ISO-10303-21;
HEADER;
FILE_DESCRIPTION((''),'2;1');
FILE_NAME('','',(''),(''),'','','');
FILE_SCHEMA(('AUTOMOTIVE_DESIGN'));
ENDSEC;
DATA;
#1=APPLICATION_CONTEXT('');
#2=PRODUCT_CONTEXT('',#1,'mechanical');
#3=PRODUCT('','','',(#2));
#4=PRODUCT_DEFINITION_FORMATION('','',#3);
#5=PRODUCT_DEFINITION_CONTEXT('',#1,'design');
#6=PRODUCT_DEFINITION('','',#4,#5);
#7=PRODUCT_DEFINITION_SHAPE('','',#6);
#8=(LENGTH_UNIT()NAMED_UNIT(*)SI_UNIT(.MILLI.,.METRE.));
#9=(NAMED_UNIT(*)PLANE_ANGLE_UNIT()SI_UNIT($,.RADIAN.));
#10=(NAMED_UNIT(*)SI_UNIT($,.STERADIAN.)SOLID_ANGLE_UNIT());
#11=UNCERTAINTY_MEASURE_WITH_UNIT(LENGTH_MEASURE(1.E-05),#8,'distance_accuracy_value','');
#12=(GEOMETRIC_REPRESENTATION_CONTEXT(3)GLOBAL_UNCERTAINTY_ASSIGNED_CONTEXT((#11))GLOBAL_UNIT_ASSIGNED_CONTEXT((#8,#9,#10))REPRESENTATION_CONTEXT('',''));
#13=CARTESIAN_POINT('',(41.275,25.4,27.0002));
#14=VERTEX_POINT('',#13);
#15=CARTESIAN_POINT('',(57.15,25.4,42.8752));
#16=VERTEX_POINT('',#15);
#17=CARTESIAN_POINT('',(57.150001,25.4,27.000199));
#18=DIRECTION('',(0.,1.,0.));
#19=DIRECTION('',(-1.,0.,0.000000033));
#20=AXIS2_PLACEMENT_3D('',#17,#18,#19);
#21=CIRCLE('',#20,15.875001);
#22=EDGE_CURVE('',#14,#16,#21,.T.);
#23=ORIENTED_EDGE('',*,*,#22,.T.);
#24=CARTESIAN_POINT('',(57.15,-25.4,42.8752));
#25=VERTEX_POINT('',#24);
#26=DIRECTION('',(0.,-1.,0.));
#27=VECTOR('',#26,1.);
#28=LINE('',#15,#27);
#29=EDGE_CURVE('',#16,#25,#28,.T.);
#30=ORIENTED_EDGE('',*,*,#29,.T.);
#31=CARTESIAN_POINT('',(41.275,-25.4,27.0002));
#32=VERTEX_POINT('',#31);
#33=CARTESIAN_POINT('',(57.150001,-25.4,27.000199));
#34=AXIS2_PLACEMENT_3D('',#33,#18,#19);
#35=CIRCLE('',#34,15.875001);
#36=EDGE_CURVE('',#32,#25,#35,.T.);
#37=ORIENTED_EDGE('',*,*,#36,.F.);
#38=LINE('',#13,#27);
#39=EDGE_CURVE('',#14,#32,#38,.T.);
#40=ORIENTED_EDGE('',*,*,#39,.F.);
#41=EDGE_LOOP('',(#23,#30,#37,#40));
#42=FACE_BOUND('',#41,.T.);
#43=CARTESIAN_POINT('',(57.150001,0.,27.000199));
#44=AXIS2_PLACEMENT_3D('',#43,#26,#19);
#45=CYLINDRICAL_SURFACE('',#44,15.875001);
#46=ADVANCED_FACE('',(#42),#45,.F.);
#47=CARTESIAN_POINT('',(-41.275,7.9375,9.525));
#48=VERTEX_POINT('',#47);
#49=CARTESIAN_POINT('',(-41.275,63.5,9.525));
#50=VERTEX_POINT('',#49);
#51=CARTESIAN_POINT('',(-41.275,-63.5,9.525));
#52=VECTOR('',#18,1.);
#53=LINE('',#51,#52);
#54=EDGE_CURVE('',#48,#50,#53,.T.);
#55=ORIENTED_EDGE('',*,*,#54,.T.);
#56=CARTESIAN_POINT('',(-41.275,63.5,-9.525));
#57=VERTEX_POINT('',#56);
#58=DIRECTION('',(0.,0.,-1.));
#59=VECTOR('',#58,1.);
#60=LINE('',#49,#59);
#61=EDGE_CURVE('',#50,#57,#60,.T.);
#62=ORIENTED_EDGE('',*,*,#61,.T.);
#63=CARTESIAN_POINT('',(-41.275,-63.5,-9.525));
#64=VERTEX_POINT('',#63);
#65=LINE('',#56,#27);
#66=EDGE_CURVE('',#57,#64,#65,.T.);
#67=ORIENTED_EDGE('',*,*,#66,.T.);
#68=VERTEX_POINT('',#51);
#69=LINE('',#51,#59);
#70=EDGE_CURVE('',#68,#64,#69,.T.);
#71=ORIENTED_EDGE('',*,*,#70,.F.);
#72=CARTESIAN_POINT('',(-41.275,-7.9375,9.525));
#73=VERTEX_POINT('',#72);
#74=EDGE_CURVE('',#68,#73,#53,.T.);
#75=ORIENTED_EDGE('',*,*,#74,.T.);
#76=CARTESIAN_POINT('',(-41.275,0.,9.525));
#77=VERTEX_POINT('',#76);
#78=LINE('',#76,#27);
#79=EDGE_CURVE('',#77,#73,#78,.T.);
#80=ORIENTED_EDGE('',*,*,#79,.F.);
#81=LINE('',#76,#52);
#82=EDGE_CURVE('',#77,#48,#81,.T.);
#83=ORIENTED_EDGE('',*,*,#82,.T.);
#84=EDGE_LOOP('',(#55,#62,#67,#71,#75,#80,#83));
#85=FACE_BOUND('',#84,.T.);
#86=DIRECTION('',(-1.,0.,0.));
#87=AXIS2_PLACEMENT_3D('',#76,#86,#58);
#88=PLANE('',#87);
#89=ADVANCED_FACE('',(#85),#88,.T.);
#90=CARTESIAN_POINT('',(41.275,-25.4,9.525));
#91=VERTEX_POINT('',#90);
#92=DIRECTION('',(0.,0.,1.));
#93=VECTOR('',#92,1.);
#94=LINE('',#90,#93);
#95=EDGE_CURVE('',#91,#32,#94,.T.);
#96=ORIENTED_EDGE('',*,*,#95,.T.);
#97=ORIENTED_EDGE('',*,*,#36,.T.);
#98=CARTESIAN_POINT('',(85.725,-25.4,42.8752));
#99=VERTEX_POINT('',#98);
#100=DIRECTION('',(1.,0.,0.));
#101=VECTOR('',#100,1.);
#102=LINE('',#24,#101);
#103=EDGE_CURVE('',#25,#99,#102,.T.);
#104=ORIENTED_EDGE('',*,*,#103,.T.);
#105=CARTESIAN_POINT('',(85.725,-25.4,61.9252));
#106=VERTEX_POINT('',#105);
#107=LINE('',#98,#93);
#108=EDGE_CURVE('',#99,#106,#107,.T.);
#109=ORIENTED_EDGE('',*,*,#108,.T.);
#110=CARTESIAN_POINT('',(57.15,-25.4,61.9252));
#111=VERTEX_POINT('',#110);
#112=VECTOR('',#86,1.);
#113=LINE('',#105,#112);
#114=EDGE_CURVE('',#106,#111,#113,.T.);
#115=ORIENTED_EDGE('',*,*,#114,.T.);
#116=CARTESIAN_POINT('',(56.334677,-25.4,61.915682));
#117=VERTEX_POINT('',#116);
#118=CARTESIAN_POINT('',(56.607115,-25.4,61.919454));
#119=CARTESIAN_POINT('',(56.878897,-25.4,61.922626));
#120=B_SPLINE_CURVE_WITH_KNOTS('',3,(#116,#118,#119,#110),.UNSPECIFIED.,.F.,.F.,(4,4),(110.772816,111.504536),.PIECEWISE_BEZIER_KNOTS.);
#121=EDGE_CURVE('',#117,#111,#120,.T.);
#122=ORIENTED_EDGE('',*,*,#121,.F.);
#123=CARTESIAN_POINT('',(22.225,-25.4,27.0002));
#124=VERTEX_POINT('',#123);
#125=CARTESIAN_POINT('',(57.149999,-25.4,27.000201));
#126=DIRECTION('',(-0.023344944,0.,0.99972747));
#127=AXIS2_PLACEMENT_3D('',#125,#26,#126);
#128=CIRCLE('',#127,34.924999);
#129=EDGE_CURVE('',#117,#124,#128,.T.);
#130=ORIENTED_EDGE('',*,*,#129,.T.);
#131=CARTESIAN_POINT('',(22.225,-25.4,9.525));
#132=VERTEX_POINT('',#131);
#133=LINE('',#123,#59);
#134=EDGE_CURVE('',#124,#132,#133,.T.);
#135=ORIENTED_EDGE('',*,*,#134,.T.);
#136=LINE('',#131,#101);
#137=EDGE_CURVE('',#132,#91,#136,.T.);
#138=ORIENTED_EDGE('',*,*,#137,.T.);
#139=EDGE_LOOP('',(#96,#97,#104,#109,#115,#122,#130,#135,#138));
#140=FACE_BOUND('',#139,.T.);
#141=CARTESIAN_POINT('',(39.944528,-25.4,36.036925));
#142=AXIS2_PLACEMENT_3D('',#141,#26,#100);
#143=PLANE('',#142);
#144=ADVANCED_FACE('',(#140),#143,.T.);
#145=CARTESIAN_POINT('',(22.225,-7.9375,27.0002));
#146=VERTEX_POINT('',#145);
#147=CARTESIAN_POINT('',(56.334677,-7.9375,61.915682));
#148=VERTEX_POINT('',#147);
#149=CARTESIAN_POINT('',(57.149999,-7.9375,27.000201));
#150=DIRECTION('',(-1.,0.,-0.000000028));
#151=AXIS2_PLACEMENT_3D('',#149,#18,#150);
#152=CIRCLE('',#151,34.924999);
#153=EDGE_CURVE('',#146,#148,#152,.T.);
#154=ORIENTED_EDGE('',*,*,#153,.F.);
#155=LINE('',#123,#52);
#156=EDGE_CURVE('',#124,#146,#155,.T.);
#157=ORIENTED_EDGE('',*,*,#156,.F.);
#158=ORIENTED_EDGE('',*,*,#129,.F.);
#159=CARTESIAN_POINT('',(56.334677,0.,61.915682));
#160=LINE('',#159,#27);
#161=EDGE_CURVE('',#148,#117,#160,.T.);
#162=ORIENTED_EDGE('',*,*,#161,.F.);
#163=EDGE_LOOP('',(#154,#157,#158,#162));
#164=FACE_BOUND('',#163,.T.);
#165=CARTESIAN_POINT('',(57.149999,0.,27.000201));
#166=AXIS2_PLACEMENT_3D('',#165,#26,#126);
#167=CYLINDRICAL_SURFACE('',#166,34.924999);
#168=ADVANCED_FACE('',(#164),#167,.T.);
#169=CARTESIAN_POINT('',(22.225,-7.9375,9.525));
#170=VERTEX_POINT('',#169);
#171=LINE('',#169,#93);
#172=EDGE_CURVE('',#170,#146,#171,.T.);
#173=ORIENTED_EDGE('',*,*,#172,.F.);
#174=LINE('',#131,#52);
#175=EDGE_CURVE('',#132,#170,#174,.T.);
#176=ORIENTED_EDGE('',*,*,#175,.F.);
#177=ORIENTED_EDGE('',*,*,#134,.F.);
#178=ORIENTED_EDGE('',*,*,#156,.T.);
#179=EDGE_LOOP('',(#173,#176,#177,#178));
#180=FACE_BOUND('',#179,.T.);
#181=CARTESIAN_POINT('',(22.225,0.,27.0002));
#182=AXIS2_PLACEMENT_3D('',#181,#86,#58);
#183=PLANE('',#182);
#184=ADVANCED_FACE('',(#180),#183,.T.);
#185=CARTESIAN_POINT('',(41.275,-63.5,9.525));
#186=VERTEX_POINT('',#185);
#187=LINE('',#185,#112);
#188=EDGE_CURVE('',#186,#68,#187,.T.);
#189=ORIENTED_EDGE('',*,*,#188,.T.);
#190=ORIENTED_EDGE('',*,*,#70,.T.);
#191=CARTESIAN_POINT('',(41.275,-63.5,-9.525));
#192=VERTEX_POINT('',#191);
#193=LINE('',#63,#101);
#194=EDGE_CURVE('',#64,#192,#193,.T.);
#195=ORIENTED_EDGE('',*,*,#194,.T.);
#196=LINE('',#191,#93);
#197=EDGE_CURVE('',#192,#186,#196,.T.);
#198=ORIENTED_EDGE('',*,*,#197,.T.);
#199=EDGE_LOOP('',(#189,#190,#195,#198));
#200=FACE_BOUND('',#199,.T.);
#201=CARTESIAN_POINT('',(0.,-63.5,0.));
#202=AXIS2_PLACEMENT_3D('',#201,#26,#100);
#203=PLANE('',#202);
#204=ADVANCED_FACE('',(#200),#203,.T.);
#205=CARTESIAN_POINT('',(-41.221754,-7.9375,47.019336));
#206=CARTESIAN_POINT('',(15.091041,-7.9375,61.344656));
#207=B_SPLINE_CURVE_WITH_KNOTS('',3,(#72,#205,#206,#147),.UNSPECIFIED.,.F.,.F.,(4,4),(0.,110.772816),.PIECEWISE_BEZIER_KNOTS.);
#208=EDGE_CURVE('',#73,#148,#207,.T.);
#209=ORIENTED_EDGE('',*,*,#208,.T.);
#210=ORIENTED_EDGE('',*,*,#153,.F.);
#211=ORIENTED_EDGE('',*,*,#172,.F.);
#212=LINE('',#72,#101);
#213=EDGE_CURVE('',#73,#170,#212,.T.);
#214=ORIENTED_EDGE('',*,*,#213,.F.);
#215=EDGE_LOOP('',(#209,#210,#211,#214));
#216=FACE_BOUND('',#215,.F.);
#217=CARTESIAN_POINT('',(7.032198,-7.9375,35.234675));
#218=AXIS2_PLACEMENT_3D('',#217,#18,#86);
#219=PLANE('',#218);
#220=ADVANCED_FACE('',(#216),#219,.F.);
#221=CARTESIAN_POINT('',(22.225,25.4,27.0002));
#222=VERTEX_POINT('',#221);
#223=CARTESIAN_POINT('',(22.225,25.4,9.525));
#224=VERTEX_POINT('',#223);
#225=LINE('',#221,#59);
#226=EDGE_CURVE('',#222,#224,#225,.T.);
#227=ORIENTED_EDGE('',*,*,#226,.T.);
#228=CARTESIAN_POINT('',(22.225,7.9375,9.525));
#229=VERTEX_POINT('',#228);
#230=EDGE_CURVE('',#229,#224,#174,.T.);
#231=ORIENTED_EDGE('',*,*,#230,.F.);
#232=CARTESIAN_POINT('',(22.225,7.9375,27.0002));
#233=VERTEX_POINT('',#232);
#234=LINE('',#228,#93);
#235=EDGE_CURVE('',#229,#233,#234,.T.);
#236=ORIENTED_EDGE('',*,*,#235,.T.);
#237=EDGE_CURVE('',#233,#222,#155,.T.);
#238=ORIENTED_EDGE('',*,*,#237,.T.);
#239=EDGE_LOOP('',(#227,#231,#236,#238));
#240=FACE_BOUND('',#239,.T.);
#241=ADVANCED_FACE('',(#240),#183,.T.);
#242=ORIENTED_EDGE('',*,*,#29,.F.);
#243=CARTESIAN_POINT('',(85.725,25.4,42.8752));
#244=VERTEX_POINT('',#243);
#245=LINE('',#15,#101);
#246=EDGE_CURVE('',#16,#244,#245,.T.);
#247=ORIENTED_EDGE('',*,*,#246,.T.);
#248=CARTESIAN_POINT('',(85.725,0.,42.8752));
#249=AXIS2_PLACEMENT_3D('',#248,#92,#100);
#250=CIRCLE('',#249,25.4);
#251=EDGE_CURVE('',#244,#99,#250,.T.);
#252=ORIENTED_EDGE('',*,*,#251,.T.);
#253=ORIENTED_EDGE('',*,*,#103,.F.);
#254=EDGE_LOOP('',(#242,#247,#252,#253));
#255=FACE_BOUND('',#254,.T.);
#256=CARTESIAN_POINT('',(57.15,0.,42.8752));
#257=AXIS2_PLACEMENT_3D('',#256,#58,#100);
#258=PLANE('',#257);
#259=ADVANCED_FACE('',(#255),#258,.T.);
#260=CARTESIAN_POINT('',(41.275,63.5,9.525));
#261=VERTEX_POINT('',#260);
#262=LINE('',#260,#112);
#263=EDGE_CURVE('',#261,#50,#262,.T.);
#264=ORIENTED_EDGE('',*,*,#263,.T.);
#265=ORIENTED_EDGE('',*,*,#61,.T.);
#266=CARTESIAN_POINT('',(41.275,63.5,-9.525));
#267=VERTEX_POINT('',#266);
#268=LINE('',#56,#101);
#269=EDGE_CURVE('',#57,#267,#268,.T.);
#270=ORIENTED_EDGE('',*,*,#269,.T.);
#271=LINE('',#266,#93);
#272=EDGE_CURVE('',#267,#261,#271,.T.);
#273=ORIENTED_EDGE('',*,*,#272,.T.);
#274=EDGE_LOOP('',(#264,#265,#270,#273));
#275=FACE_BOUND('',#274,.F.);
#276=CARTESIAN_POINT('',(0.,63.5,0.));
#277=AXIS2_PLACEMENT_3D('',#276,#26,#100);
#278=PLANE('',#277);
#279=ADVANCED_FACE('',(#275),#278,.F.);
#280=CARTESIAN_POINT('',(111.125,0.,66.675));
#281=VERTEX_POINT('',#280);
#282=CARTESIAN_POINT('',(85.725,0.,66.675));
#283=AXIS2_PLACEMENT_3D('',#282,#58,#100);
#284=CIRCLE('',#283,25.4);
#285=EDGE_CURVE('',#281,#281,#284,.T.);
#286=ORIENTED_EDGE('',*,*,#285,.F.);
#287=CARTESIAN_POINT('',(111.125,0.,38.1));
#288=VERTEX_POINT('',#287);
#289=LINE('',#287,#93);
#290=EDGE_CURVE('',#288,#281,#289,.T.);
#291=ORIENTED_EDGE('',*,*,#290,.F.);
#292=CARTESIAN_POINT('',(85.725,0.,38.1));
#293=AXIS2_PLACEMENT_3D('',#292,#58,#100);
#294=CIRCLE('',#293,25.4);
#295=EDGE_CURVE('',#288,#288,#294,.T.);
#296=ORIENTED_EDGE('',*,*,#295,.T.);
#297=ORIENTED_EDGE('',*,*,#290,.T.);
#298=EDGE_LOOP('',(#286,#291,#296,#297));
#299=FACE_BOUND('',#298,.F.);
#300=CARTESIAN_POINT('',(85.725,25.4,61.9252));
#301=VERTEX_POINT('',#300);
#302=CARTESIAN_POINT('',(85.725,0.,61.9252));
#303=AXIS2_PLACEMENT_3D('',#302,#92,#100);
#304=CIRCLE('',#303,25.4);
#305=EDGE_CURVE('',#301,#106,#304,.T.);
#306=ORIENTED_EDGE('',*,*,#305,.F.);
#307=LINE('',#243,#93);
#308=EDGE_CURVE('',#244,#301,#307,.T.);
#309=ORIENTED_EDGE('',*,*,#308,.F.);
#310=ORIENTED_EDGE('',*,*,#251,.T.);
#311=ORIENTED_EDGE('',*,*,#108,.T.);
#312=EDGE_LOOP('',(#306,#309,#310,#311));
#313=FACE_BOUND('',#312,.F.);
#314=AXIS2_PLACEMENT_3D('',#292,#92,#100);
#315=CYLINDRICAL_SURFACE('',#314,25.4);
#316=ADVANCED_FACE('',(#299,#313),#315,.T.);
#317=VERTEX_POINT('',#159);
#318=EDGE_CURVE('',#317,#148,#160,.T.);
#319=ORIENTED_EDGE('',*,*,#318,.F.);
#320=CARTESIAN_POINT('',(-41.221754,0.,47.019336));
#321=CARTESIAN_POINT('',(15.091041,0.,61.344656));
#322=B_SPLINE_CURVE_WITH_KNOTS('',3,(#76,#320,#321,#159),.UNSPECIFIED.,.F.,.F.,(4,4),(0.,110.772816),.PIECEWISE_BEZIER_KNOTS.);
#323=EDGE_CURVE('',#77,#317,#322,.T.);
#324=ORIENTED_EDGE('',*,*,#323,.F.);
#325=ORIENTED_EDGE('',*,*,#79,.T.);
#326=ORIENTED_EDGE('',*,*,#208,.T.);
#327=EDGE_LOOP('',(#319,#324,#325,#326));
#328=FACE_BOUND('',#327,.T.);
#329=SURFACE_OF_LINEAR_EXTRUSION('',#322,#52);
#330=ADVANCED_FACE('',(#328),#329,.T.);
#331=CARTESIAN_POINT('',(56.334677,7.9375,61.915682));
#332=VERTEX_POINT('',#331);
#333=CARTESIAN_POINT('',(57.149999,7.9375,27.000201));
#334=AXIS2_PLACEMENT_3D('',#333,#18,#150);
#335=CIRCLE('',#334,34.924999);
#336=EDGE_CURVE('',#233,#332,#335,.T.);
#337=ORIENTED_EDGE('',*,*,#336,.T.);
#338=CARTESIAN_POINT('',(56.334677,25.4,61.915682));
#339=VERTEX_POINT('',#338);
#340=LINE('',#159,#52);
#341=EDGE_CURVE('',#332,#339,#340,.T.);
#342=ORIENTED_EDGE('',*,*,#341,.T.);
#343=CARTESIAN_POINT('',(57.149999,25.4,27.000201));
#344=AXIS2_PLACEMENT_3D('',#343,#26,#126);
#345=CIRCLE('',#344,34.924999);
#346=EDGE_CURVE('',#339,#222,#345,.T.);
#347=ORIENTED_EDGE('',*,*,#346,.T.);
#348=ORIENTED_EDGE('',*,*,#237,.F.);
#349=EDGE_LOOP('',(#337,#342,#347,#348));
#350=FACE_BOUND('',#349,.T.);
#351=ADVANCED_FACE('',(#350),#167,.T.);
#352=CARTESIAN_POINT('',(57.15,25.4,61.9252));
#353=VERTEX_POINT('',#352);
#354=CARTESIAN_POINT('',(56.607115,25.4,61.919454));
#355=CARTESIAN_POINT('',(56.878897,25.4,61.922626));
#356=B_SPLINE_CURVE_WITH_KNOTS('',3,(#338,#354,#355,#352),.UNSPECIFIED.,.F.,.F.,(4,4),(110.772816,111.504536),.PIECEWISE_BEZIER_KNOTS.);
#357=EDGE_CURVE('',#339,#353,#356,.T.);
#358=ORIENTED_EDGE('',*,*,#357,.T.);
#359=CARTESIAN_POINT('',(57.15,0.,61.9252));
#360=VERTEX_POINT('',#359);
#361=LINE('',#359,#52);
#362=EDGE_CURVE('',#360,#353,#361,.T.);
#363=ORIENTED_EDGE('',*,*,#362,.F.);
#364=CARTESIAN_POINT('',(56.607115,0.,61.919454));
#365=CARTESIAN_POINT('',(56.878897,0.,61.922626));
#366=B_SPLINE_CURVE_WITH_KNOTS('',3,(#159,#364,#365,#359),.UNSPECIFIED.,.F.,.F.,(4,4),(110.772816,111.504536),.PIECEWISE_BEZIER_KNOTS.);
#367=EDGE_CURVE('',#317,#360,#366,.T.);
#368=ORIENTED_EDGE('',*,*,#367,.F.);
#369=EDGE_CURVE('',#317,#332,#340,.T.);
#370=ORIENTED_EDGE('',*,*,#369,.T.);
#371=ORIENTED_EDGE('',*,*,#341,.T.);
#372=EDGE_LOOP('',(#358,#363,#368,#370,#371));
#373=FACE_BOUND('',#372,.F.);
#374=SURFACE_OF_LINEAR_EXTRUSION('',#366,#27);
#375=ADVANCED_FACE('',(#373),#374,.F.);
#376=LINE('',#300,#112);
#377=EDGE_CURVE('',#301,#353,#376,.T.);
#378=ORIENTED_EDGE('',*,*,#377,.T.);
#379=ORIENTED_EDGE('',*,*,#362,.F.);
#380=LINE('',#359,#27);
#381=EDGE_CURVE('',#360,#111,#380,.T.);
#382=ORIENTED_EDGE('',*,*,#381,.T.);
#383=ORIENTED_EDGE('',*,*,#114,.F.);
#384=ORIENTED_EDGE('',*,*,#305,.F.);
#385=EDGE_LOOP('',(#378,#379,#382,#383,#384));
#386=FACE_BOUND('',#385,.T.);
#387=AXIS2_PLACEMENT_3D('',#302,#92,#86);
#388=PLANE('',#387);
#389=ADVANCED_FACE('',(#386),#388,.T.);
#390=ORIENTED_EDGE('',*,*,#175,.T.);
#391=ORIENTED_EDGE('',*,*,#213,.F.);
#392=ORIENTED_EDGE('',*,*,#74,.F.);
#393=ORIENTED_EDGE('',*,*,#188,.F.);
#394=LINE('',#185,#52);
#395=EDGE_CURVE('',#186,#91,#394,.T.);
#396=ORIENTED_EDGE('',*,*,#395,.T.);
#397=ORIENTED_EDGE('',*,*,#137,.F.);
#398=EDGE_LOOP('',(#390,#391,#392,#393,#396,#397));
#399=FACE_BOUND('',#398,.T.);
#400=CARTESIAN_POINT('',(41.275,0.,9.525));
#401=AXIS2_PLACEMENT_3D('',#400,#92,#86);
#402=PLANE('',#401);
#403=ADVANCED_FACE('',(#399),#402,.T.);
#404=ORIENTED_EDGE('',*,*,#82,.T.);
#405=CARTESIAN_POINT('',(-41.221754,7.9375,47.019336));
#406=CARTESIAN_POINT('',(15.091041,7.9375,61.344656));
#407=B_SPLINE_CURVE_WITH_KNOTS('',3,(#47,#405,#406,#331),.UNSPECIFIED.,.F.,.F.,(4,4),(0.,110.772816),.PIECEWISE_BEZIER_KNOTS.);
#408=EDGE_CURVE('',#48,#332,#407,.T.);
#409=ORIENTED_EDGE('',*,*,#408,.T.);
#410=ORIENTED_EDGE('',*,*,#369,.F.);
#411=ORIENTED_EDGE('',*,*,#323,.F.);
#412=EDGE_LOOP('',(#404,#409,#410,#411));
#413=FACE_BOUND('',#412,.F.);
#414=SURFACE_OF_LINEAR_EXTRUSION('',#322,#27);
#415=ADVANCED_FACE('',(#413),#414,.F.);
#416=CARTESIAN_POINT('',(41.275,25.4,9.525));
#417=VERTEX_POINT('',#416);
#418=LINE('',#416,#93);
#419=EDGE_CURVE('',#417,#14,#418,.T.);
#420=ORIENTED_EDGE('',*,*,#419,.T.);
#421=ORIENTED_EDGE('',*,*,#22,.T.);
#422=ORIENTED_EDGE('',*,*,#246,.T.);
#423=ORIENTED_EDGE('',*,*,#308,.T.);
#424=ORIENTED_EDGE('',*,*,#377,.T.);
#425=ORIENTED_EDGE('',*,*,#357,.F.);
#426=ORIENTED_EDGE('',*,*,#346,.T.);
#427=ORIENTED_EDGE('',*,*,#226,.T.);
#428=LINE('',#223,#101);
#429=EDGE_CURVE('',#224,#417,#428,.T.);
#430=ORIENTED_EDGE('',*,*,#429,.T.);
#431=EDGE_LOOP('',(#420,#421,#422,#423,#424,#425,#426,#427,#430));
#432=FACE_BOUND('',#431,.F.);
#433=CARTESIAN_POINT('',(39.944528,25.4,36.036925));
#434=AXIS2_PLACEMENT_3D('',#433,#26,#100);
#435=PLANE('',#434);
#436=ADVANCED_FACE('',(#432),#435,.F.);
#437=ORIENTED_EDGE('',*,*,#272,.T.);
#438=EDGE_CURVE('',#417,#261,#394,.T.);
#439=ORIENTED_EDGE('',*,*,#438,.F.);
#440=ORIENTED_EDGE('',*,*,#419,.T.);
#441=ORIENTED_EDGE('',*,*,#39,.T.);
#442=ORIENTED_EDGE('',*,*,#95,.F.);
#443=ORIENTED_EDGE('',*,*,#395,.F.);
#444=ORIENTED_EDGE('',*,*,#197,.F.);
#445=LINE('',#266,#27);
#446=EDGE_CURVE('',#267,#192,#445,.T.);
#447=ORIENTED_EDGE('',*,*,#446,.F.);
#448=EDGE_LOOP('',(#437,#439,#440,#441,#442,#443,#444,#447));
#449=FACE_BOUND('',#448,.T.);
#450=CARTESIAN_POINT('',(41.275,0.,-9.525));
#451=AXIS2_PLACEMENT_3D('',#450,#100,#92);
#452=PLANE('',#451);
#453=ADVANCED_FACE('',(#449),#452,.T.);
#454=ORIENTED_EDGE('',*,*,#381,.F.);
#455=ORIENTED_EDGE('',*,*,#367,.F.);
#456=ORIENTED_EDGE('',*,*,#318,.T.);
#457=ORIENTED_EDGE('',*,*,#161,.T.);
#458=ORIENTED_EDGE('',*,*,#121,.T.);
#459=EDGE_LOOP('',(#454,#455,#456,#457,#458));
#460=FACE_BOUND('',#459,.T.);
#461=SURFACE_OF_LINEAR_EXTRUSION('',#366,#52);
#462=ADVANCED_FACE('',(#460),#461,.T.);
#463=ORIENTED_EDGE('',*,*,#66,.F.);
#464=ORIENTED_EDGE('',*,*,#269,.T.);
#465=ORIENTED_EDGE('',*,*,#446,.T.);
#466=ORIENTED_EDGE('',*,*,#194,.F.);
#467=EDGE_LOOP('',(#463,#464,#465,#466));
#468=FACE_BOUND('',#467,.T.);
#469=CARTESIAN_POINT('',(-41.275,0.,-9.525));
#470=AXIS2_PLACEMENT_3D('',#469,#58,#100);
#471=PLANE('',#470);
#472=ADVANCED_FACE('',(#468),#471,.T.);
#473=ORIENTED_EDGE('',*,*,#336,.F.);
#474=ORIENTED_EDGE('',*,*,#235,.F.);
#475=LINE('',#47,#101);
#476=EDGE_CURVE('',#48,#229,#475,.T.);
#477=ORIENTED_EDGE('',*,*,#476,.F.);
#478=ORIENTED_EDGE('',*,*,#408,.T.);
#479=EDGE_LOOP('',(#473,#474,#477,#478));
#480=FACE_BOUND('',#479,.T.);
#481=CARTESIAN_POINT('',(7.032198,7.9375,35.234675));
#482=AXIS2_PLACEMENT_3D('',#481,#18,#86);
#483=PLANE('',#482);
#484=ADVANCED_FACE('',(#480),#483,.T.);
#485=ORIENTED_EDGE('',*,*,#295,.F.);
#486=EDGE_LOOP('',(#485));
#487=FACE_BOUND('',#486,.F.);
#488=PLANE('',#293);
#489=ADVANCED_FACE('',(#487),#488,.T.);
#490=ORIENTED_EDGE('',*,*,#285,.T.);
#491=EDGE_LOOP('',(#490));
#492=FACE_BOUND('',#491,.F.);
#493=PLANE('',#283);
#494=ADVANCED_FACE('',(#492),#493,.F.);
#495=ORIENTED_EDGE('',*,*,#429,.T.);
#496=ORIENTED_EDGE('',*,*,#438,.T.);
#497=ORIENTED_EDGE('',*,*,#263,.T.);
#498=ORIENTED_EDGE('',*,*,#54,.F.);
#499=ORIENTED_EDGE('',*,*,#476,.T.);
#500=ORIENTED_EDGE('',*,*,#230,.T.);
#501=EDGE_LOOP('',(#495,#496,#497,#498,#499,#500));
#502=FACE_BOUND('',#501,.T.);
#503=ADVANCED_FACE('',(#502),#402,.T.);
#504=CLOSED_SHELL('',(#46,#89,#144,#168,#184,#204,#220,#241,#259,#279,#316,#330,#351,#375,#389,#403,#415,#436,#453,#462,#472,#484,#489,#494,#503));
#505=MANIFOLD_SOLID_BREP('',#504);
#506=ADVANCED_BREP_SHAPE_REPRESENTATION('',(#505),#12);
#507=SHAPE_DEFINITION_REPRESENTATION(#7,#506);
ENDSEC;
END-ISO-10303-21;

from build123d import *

# Parameters (mm, degrees)
F1_DEPTH = 63.5
F2_DEPTH = 25.4
F3_DEPTH = 7.9375


with BuildPart() as f1:
    # F0 (on Front) → F1 (new body, symmetric)
    with BuildSketch(Plane.XZ):
        Polygon((-41.275, 9.525), (-41.275, -9.525), (41.275, -9.525), (41.275, 9.525), (22.225, 9.525), align=None)
    extrude(amount=F1_DEPTH, both=True)

    # F0 (on Front) → F2 (join, symmetric)
    with BuildSketch(Plane.XZ):
        with BuildLine():
            Line((22.225, 9.525), (41.275, 9.525))
            Line((41.275, 9.525), (41.275, 27.0002))
            ThreePointArc((41.275, 27.0002), (45.92468, 38.22552), (57.15, 42.8752))
            Line((57.15, 42.8752), (60.325, 42.8752))
            Line((60.325, 42.8752), (60.325, 61.9252))
            Line((60.325, 61.9252), (57.15, 61.9252))
            add(Edge.make_bspline(
                [(56.334677, 61.915682), (56.607115, 61.919454), (56.878897, 61.922626), (57.15, 61.9252)],
                knots=[110.772816, 110.772816, 110.772816, 110.772816, 111.504536, 111.504536, 111.504536, 111.504536], degree=3))
            ThreePointArc((56.334677, 61.915682), (32.167698, 51.405942), (22.225, 27.0002))
            Line((22.225, 27.0002), (22.225, 9.525))
        make_face()
        Polygon((85.725, 61.9252), (60.325, 61.9252), (60.325, 42.8752), (85.725, 42.8752), (85.725, 52.3875), align=None)
    extrude(amount=F2_DEPTH, both=True)

    # F0 (on Front) → F3 (join, symmetric)
    with BuildSketch(Plane.XZ):
        with BuildLine():
            add(Edge.make_bspline(
                [(-41.275, 9.525), (-41.221754, 47.019336), (15.091041, 61.344656), (56.334677, 61.915682)],
                knots=[0, 0, 0, 0, 110.772816, 110.772816, 110.772816, 110.772816], degree=3))
            Line((-41.275, 9.525), (22.225, 9.525))
            Line((22.225, 9.525), (22.225, 27.0002))
            ThreePointArc((22.225, 27.0002), (32.167698, 51.405942), (56.334677, 61.915682))
        make_face()
    extrude(amount=F3_DEPTH, both=True)

    # F0 (on Front) → F4 (revolve)
    with BuildSketch(Plane.XZ):
        Polygon((85.725, 66.675), (85.725, 61.9252), (85.725, 52.3875), (85.725, 42.8752), (85.725, 38.1), (111.125, 38.1), (111.125, 66.675), align=None)
    revolve(axis=Axis((85.725, 0, 45.24375), (0, 0, -1)))


solid = f1.part
